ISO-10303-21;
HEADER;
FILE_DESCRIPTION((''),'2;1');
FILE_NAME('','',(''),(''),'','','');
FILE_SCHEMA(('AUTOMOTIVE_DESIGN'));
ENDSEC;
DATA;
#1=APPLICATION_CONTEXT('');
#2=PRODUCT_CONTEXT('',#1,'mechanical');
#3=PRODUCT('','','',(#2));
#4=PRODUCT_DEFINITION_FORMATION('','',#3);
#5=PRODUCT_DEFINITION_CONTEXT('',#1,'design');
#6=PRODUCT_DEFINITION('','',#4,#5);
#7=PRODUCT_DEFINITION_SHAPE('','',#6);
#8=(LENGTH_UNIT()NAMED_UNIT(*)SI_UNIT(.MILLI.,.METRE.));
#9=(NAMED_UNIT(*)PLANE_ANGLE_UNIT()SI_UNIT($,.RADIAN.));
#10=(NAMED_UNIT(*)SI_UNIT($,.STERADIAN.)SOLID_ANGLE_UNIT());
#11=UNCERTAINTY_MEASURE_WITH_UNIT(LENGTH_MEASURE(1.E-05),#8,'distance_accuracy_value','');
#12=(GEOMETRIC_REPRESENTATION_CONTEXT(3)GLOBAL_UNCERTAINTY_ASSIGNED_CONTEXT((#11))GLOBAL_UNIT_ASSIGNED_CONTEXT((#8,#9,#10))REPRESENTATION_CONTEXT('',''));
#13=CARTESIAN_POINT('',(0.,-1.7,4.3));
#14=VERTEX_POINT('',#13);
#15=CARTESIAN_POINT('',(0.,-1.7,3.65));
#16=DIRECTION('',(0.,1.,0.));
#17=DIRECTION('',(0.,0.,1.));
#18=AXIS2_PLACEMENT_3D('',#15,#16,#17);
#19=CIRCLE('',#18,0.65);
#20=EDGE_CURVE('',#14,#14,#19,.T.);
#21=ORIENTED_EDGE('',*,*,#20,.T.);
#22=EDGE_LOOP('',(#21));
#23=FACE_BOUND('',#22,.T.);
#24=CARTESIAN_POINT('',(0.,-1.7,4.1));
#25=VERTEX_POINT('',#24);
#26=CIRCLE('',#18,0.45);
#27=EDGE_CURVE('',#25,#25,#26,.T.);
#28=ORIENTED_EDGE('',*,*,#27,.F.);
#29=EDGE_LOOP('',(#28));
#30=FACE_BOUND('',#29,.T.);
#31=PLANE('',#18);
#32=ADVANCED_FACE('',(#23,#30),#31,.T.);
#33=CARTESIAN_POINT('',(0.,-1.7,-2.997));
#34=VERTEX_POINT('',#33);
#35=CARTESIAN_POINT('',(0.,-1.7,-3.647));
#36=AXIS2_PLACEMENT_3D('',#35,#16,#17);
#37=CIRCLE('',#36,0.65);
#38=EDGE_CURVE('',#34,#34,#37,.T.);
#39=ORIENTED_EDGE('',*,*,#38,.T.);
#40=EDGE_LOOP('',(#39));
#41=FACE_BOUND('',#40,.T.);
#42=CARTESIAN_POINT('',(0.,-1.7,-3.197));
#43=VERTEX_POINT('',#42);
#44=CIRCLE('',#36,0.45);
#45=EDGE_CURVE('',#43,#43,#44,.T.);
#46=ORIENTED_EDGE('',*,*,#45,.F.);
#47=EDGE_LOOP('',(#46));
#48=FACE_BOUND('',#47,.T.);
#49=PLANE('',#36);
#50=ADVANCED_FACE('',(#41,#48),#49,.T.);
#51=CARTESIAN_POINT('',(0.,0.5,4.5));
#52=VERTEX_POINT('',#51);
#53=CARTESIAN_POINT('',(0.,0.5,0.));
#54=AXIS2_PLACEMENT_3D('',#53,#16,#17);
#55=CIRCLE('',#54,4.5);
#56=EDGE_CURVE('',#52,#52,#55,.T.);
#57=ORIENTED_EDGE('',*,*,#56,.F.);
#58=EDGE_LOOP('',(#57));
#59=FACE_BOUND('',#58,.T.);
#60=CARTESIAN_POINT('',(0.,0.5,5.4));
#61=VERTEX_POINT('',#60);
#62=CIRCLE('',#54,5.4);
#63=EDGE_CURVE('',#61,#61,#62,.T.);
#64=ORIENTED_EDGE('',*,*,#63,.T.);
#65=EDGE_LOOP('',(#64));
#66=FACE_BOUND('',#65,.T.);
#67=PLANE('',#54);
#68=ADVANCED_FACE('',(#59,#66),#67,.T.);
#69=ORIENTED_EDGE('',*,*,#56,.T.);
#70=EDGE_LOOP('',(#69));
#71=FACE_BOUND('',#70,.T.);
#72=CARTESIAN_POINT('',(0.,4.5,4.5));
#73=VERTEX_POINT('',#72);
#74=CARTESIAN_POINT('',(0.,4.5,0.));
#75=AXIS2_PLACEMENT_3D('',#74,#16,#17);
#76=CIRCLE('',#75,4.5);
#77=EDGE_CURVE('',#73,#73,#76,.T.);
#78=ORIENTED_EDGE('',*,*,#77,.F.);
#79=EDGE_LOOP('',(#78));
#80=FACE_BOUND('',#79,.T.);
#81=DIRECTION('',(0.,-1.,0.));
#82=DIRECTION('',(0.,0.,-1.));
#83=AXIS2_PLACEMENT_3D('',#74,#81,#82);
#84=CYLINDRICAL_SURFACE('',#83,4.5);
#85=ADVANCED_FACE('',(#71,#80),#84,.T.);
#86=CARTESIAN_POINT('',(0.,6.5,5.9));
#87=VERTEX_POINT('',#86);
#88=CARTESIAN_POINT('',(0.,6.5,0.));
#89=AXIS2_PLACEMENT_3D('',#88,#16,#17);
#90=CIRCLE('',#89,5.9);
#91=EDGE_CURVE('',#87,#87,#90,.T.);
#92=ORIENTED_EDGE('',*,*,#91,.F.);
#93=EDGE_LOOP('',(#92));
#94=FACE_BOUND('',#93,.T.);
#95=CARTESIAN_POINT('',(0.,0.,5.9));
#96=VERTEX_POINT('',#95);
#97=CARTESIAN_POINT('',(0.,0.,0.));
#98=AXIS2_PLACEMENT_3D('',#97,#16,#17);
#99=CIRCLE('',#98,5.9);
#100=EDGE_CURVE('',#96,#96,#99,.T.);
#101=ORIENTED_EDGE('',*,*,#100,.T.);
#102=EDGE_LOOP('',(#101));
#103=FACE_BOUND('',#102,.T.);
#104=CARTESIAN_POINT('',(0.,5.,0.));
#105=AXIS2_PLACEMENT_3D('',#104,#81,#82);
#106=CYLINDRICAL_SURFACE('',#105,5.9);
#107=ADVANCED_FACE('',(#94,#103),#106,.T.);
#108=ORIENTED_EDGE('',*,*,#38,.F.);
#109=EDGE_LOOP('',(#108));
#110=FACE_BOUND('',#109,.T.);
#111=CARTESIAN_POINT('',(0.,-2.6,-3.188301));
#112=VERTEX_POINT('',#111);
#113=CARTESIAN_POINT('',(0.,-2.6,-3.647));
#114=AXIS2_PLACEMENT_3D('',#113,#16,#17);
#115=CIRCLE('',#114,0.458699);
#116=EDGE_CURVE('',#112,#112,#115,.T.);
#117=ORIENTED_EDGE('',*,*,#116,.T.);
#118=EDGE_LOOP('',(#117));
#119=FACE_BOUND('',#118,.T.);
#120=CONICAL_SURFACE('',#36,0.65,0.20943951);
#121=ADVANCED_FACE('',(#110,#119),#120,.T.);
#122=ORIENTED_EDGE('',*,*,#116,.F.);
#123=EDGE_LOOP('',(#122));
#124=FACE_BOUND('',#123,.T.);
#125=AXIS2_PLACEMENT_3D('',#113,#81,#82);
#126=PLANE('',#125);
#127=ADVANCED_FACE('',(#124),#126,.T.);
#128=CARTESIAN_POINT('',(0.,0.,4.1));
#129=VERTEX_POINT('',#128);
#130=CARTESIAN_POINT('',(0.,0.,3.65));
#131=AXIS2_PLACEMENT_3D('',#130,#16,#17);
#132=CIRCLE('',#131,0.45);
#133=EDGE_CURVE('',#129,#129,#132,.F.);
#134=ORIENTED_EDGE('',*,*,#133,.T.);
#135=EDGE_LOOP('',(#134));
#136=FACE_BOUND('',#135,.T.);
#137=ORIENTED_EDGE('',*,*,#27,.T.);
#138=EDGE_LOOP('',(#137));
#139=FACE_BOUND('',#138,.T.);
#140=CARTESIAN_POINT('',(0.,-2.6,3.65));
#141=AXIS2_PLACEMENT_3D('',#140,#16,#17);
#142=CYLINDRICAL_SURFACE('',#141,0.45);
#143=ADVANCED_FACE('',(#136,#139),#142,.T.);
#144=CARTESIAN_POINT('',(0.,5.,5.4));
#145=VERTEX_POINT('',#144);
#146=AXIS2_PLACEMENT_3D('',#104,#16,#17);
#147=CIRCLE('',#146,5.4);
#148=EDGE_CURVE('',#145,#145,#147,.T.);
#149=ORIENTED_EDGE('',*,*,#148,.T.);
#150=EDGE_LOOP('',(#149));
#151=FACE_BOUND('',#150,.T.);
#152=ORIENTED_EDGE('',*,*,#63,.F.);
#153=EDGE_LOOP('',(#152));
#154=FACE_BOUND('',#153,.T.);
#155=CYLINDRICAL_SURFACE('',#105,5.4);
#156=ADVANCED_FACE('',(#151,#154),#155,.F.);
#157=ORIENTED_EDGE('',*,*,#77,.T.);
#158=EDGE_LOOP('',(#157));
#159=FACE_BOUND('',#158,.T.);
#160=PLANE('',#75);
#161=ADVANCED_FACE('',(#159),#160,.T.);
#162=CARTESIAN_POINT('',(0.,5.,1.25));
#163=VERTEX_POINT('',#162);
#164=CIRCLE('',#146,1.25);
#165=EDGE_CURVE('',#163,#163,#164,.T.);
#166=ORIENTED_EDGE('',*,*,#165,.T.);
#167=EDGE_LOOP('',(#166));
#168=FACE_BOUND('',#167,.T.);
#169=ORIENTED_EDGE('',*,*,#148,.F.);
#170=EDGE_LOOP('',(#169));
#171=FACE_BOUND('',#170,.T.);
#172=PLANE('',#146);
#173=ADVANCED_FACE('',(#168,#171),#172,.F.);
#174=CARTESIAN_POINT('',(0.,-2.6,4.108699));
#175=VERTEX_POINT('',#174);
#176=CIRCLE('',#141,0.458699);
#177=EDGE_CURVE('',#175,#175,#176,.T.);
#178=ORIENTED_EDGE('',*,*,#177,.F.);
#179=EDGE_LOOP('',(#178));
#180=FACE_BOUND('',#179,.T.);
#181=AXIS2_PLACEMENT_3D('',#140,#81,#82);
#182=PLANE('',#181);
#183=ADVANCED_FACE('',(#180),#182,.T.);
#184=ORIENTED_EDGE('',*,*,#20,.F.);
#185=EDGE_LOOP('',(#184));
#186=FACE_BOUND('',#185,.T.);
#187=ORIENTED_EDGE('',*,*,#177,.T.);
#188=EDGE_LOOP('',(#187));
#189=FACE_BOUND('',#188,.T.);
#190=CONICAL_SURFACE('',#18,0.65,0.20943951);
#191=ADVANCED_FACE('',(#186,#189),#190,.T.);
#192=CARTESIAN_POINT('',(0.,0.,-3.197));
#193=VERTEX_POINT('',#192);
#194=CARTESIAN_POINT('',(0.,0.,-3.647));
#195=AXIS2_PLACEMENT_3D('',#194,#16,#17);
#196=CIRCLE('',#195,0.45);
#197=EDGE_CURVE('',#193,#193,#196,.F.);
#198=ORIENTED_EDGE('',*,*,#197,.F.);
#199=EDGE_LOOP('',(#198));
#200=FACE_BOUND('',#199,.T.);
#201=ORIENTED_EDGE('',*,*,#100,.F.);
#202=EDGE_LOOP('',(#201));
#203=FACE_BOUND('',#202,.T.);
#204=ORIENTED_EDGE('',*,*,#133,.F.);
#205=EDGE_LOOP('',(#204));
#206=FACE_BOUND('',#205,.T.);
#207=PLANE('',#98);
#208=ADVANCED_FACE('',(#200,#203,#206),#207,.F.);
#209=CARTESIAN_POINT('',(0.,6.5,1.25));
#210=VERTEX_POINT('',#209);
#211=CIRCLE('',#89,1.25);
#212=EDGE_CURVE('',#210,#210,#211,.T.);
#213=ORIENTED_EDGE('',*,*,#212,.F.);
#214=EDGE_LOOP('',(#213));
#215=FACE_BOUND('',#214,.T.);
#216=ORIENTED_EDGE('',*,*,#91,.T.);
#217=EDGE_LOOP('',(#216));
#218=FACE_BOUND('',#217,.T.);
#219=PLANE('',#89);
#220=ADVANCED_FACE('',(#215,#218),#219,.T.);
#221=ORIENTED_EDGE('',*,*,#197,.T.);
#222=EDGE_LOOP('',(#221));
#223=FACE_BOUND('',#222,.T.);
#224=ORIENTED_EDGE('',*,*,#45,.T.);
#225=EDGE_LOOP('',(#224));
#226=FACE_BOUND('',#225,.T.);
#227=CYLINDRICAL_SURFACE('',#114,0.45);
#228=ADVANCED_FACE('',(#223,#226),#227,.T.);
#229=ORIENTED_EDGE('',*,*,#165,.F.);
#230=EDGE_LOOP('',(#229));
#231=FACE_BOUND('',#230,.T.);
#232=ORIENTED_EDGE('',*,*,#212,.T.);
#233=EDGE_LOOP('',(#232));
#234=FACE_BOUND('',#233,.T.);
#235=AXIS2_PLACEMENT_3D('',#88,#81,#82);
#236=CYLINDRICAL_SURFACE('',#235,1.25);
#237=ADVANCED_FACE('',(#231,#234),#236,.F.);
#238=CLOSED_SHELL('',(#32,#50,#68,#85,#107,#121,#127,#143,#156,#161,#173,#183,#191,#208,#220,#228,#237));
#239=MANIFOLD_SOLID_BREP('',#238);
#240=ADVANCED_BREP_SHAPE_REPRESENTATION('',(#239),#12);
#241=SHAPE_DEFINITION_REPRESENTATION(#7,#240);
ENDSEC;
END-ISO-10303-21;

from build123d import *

# Parameters (mm, degrees)
ESQUISSE1_R                  = 5.9
BOSS_EXTRU_1_DEPTH           = 5
COQUE1_T                     = -0.5
ESQUISSE2_R                  = 5.9
ESQUISSE2_R_2                = 1.25
BOSS_EXTRU_2_DEPTH           = 1.5
ESQUISSE3_R                  = 4.5
BOSS_EXTRU_3_DEPTH           = 4
ESQUISSE4_R                  = 0.45
BOSS_EXTRU_4_DEPTH           = 2.6
ESQUISSE5_R                  = 0.65
BOSS_EXTRU_5_DEPTH           = 0.9
BOSS_EXTRU_5_DRAFT           = -12
BOSS_EXTRU_5_PROFILE_2_DEPTH = 0.9
BOSS_EXTRU_5_PROFILE_2_DRAFT = -12


with BuildPart() as part:
    # Esquisse1 → Boss.-Extru.1 (new body)
    with BuildSketch(Plane(origin=(0, 0, 0), x_dir=(1, 0, 0), z_dir=(0, 1, 0))):
        with Locations(Location((0, 0, 0), (0, 0, 270))):
            Circle(ESQUISSE1_R)
    extrude(amount=BOSS_EXTRU_1_DEPTH)

    # Coque1
    coque1_openings = [part.faces().sort_by_distance(p)[0] for p in [
        (0, 5, 0),
    ]]
    offset(amount=COQUE1_T, openings=coque1_openings, kind=Kind.INTERSECTION)

    # Esquisse2 → Boss.-Extru.2 (add)
    with BuildSketch(Plane(origin=(0, 5, 0), x_dir=(1, 0, 0), z_dir=(0, 1, 0))):
        with Locations(Location((0, 0, 0), (0, 0, 270))):
            Circle(ESQUISSE2_R)
        with Locations(Location((0, 0, 0), (0, 0, 270))):
            Circle(ESQUISSE2_R_2, mode=Mode.SUBTRACT)
    extrude(amount=BOSS_EXTRU_2_DEPTH)

    # Esquisse3 → Boss.-Extru.3 (add)
    with BuildSketch(Plane(origin=(0, 0.5, 0), x_dir=(1, 0, 0), z_dir=(0, 1, 0))):
        with Locations(Location((0, 0, 0), (0, 0, 270))):
            Circle(ESQUISSE3_R)
    extrude(amount=BOSS_EXTRU_3_DEPTH)

    # Esquisse4 → Boss.-Extru.4 (add)
    with BuildSketch(Plane.XZ):
        with Locations(Location((0, 3.65, 0), (0, 0, 90))):
            Circle(ESQUISSE4_R)
        with Locations(Location((0, -3.647, 0), (0, 0, 90))):
            Circle(ESQUISSE4_R)
    extrude(amount=BOSS_EXTRU_4_DEPTH)


with BuildPart() as boss_extru_5_tool:
    # Esquisse5 → Boss.-Extru.5 (with draft: the straight prism first)
    with BuildSketch(Plane(origin=(0, -1.7, 0), x_dir=(1, 0, 0), z_dir=(0, 1, 0))):
        with Locations((0, -3.65)):
            Circle(ESQUISSE5_R)
    extrude(amount=-BOSS_EXTRU_5_DEPTH)
    # Boss.-Extru.5: the draft: its side faces are tilted about the plane it starts from
    boss_extru_5_sides = [boss_extru_5_tool.faces().sort_by_distance(p)[0] for p in [
        (-0.65, -2.15, 3.65),
    ]]
    draft(boss_extru_5_sides, Plane(origin=(0, -1.7, 0), x_dir=(1, 0, 0), z_dir=(0, 1, 0)), BOSS_EXTRU_5_DRAFT)


with BuildPart() as part_1:
    add(part.part)

    # Boss.-Extru.5: add boss_extru_5_tool
    add(boss_extru_5_tool.part)


with BuildPart() as boss_extru_5_profile_2_tool:
    # Esquisse5 → Boss.-Extru.5 profile 2 (with draft: the straight prism first)
    with BuildSketch(Plane(origin=(0, -1.7, 0), x_dir=(1, 0, 0), z_dir=(0, 1, 0))):
        with Locations((0, 3.647)):
            Circle(ESQUISSE5_R)
    extrude(amount=-BOSS_EXTRU_5_PROFILE_2_DEPTH)
    # Boss.-Extru.5 profile 2: the draft: its side faces are tilted about the plane it starts from
    boss_extru_5_profile_2_sides = [boss_extru_5_profile_2_tool.faces().sort_by_distance(p)[0] for p in [
        (-0.65, -2.15, -3.647),
    ]]
    draft(boss_extru_5_profile_2_sides, Plane(origin=(0, -1.7, 0), x_dir=(1, 0, 0), z_dir=(0, 1, 0)), BOSS_EXTRU_5_PROFILE_2_DRAFT)


with BuildPart() as part_2:
    add(part_1.part)

    # Boss.-Extru.5 profile 2: add boss_extru_5_profile_2_tool
    add(boss_extru_5_profile_2_tool.part)


solid = part_2.part
